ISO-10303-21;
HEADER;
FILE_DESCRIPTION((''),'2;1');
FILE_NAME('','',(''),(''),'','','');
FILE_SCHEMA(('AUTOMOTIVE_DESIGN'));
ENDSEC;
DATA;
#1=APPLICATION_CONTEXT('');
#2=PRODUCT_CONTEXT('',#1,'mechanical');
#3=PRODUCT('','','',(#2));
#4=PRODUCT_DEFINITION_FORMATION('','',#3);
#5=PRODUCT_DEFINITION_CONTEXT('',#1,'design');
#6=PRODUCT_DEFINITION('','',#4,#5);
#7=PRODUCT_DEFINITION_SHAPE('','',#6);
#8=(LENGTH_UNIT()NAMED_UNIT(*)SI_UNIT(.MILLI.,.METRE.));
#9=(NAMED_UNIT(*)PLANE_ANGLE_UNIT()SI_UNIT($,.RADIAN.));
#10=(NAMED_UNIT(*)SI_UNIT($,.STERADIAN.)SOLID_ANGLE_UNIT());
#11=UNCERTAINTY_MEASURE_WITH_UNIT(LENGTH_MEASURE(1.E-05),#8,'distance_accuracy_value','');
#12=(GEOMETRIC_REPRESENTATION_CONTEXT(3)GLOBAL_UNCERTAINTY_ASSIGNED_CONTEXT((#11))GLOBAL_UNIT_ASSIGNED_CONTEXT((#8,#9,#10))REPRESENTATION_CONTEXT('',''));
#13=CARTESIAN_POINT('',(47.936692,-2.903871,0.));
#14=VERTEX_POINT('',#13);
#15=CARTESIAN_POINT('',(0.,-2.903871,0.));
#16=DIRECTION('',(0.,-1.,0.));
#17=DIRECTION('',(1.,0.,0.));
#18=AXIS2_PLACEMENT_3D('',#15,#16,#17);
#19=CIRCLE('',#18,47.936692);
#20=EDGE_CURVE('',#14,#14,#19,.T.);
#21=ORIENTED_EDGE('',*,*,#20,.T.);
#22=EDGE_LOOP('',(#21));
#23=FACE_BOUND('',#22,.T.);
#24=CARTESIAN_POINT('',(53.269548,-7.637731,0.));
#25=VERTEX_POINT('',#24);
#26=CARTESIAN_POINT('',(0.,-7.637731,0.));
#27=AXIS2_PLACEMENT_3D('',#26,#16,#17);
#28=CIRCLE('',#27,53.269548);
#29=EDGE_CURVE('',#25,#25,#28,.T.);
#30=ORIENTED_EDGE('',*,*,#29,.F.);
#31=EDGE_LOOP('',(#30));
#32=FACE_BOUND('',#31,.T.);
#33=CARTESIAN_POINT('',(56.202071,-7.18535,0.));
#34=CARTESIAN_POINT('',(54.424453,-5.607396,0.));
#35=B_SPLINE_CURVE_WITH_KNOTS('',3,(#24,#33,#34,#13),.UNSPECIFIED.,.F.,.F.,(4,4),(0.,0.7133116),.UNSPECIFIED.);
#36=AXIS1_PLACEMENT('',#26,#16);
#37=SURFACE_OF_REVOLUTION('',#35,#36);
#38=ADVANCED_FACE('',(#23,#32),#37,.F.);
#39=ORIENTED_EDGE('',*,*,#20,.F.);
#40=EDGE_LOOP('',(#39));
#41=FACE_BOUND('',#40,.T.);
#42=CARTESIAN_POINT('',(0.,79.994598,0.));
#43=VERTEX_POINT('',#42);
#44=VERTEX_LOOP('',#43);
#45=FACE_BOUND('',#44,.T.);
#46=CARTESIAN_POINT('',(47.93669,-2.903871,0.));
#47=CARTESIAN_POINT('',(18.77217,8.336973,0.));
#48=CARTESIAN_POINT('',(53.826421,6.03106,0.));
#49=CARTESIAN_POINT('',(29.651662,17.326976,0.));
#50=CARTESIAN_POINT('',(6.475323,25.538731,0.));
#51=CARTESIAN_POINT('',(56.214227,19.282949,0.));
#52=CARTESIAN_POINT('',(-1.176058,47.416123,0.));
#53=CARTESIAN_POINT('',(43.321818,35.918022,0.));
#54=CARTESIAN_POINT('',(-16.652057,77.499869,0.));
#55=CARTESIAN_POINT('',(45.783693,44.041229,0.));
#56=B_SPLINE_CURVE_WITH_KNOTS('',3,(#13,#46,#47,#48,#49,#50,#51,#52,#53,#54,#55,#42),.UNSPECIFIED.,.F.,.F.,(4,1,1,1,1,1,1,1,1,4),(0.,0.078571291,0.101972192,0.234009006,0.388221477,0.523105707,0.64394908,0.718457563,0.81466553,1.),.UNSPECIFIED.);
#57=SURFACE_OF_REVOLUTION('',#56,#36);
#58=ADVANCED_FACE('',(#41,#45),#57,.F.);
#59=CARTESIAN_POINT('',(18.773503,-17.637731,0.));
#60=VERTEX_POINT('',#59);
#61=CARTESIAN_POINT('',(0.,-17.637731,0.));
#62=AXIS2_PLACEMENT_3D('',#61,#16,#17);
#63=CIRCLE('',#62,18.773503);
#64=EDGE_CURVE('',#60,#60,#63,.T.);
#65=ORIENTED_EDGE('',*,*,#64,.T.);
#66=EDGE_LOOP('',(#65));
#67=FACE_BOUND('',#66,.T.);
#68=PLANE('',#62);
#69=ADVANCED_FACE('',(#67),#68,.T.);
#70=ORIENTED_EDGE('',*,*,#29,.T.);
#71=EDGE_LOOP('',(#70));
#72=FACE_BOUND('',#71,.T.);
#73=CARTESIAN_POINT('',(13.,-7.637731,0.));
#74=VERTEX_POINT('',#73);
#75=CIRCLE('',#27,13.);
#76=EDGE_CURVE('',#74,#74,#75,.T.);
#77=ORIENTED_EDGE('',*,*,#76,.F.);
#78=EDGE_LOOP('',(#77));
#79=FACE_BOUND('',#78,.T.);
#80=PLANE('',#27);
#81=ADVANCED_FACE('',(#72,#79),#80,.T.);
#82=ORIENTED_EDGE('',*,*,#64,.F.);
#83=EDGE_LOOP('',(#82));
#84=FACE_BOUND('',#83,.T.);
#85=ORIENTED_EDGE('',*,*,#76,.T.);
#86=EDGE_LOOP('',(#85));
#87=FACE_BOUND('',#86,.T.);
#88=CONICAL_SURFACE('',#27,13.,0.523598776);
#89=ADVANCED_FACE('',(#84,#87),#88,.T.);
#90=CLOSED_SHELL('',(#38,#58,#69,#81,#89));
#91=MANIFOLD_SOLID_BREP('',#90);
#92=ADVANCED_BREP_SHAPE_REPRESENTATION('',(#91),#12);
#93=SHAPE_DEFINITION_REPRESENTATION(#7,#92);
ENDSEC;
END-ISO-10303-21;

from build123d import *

# Parameters (mm, degrees)
SZKIC2_R                    = 13
DODANIE_WYCI_GNI_CIE1_DEPTH = 10
DODANIE_WYCI_GNI_CIE1_DRAFT = -30


with BuildPart() as part:
    # Szkic1 → Obrót1 (revolve)
    with BuildSketch(Plane.XY):
        with BuildLine():
            Line((0, -7.637730708), (0, 79.994598037))
            add(Edge.make_bspline(
                [(0, 79.994598037), (45.783693378, 44.041229204), (-16.652057424, 77.499869124), (43.321818222, 35.918021719), (-1.176058128, 47.416123495), (56.214226675, 19.282948895), (6.475323145, 25.538730645), (29.651662376, 17.326976042), (53.826421235, 6.031060214), (18.77217049, 8.336972737), (47.936689773, -2.903870531), (47.93669181, -2.903870842)],
                knots=[0, 0, 0, 0, 0.18533447, 0.281542437, 0.35605092, 0.476894293, 0.611778523, 0.765990994, 0.898027808, 0.921428709, 1, 1, 1, 1], degree=3))
            add(Edge.make_bspline(
                [(47.93669181, -2.903870842), (54.424452566, -5.6073964), (56.202071439, -7.185349783), (53.269547864, -7.637730708)],
                knots=[0, 0, 0, 0, 0.7133116, 0.7133116, 0.7133116, 0.7133116], degree=3))
            Line((53.269547864, -7.637730708), (0, -7.637730708))
        make_face()
    revolve(axis=Axis((0, -7.637730708, 0), (0, 1, 0)))


with BuildPart() as dodanie_wyci_gni_cie1_tool:
    # Szkic2 → Dodanie-wyciągnięcie1 (with draft: the straight prism first)
    with BuildSketch(Plane.XZ.offset(7.637730708)):
        Circle(SZKIC2_R)
    extrude(amount=DODANIE_WYCI_GNI_CIE1_DEPTH)
    # Dodanie-wyciągnięcie1: the draft: its side faces are tilted about the plane it starts from
    dodanie_wyci_gni_cie1_sides = [dodanie_wyci_gni_cie1_tool.faces().sort_by_distance(p)[0] for p in [
        (-13, -12.637730708, 0),
    ]]
    draft(dodanie_wyci_gni_cie1_sides, Plane.XZ.offset(7.637730708), DODANIE_WYCI_GNI_CIE1_DRAFT)


with BuildPart() as part_1:
    add(part.part)

    # Dodanie-wyciągnięcie1: add dodanie_wyci_gni_cie1_tool
    add(dodanie_wyci_gni_cie1_tool.part)


solid = part_1.part
